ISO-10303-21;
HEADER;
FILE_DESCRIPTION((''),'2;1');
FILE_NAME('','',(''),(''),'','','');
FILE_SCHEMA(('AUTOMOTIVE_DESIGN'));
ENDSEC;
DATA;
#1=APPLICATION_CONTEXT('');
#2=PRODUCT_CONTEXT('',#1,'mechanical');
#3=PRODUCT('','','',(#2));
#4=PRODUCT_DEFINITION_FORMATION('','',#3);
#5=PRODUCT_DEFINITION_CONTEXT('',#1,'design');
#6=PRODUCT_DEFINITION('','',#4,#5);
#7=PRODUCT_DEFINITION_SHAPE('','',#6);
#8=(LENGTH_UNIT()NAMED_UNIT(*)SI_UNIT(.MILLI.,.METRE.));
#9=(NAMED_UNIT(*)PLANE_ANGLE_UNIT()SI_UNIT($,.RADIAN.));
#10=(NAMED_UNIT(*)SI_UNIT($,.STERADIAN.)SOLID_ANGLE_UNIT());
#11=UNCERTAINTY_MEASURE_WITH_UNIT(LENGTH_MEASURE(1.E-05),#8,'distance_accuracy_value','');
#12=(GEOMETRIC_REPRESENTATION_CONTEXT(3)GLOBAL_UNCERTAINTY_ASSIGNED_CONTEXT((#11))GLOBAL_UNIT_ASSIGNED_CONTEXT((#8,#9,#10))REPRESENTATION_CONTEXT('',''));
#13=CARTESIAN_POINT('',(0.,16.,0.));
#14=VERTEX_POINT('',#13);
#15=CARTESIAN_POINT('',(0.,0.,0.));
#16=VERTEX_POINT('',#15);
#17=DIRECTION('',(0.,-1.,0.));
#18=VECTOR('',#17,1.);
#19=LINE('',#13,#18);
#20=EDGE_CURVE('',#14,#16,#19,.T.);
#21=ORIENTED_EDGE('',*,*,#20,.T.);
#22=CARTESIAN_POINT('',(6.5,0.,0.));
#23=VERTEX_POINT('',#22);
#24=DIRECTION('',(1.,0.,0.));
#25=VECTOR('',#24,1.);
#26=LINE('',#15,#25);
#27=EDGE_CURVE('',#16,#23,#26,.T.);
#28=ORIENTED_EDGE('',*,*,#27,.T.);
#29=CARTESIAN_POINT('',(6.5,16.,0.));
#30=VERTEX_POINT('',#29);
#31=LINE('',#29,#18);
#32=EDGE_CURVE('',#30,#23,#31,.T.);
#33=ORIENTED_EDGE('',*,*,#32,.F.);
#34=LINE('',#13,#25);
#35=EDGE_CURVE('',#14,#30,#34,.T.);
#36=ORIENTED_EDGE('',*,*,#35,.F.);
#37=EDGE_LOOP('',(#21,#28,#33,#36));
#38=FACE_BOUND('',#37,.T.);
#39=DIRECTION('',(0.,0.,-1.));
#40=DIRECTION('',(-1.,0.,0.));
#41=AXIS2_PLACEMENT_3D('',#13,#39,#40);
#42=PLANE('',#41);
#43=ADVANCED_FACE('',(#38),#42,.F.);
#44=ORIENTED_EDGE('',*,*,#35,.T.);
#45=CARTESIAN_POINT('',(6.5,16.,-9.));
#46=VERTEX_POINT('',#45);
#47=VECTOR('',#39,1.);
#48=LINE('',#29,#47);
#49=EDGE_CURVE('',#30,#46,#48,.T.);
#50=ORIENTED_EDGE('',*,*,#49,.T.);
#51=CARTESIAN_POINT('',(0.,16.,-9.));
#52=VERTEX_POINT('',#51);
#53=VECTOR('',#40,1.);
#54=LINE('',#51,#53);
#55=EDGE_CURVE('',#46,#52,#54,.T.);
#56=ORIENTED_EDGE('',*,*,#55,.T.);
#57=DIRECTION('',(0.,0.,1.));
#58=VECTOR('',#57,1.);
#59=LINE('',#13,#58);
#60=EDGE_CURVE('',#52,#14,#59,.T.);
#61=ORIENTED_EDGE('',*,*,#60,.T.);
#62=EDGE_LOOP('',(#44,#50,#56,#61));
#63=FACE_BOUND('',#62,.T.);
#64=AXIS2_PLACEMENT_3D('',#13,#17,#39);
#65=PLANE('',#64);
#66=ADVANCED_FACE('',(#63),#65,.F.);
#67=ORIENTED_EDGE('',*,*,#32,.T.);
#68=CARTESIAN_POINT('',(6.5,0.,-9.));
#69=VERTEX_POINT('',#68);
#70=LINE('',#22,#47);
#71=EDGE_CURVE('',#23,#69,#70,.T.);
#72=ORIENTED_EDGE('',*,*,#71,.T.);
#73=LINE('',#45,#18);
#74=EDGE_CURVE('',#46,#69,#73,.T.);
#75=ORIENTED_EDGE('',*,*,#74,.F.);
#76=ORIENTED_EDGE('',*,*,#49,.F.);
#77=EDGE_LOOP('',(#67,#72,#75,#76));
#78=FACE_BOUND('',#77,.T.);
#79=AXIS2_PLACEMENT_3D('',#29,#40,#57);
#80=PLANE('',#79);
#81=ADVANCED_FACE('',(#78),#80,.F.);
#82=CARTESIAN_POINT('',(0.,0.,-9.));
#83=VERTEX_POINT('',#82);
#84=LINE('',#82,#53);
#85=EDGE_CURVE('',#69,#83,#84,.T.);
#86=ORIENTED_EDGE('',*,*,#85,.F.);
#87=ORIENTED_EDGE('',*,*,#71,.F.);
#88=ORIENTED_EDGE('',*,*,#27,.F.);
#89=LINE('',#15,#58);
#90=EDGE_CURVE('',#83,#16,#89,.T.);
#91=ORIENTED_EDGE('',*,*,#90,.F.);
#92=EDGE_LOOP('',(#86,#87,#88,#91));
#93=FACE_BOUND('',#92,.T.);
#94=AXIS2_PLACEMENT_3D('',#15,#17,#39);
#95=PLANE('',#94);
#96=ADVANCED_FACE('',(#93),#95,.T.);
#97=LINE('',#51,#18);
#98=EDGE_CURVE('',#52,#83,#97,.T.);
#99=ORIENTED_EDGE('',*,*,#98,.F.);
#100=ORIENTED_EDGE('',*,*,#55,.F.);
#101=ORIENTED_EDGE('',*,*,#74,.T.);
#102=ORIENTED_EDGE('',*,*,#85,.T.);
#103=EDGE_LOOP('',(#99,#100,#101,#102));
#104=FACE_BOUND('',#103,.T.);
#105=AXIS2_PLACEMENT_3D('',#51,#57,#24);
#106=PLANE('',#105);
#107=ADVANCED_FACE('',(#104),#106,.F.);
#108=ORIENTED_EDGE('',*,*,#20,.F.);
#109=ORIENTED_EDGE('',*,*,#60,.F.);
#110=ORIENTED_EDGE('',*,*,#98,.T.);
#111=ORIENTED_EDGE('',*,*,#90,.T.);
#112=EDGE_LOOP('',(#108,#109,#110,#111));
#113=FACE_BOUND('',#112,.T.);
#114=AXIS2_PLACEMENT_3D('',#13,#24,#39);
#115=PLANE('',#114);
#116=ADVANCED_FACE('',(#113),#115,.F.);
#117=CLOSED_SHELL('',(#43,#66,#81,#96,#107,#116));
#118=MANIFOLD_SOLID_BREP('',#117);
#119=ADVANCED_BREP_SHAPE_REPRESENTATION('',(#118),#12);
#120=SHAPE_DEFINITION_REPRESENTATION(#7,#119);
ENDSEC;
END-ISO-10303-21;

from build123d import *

# Parameters (mm, degrees)
ESBO_O1_W                = 6.5
ESBO_O1_H                = 9
RESSALTO_EXTRUS_O1_DEPTH = 16


with BuildPart() as part:
    # Esboço1 → Ressalto-extrusão1 (new body)
    with BuildSketch(Plane(origin=(0, 0, 0), x_dir=(1, 0, 0), z_dir=(0, 1, 0))):
        with Locations((3.25, 4.5)):
            Rectangle(ESBO_O1_W, ESBO_O1_H)
    extrude(amount=RESSALTO_EXTRUS_O1_DEPTH)


solid = part.part
